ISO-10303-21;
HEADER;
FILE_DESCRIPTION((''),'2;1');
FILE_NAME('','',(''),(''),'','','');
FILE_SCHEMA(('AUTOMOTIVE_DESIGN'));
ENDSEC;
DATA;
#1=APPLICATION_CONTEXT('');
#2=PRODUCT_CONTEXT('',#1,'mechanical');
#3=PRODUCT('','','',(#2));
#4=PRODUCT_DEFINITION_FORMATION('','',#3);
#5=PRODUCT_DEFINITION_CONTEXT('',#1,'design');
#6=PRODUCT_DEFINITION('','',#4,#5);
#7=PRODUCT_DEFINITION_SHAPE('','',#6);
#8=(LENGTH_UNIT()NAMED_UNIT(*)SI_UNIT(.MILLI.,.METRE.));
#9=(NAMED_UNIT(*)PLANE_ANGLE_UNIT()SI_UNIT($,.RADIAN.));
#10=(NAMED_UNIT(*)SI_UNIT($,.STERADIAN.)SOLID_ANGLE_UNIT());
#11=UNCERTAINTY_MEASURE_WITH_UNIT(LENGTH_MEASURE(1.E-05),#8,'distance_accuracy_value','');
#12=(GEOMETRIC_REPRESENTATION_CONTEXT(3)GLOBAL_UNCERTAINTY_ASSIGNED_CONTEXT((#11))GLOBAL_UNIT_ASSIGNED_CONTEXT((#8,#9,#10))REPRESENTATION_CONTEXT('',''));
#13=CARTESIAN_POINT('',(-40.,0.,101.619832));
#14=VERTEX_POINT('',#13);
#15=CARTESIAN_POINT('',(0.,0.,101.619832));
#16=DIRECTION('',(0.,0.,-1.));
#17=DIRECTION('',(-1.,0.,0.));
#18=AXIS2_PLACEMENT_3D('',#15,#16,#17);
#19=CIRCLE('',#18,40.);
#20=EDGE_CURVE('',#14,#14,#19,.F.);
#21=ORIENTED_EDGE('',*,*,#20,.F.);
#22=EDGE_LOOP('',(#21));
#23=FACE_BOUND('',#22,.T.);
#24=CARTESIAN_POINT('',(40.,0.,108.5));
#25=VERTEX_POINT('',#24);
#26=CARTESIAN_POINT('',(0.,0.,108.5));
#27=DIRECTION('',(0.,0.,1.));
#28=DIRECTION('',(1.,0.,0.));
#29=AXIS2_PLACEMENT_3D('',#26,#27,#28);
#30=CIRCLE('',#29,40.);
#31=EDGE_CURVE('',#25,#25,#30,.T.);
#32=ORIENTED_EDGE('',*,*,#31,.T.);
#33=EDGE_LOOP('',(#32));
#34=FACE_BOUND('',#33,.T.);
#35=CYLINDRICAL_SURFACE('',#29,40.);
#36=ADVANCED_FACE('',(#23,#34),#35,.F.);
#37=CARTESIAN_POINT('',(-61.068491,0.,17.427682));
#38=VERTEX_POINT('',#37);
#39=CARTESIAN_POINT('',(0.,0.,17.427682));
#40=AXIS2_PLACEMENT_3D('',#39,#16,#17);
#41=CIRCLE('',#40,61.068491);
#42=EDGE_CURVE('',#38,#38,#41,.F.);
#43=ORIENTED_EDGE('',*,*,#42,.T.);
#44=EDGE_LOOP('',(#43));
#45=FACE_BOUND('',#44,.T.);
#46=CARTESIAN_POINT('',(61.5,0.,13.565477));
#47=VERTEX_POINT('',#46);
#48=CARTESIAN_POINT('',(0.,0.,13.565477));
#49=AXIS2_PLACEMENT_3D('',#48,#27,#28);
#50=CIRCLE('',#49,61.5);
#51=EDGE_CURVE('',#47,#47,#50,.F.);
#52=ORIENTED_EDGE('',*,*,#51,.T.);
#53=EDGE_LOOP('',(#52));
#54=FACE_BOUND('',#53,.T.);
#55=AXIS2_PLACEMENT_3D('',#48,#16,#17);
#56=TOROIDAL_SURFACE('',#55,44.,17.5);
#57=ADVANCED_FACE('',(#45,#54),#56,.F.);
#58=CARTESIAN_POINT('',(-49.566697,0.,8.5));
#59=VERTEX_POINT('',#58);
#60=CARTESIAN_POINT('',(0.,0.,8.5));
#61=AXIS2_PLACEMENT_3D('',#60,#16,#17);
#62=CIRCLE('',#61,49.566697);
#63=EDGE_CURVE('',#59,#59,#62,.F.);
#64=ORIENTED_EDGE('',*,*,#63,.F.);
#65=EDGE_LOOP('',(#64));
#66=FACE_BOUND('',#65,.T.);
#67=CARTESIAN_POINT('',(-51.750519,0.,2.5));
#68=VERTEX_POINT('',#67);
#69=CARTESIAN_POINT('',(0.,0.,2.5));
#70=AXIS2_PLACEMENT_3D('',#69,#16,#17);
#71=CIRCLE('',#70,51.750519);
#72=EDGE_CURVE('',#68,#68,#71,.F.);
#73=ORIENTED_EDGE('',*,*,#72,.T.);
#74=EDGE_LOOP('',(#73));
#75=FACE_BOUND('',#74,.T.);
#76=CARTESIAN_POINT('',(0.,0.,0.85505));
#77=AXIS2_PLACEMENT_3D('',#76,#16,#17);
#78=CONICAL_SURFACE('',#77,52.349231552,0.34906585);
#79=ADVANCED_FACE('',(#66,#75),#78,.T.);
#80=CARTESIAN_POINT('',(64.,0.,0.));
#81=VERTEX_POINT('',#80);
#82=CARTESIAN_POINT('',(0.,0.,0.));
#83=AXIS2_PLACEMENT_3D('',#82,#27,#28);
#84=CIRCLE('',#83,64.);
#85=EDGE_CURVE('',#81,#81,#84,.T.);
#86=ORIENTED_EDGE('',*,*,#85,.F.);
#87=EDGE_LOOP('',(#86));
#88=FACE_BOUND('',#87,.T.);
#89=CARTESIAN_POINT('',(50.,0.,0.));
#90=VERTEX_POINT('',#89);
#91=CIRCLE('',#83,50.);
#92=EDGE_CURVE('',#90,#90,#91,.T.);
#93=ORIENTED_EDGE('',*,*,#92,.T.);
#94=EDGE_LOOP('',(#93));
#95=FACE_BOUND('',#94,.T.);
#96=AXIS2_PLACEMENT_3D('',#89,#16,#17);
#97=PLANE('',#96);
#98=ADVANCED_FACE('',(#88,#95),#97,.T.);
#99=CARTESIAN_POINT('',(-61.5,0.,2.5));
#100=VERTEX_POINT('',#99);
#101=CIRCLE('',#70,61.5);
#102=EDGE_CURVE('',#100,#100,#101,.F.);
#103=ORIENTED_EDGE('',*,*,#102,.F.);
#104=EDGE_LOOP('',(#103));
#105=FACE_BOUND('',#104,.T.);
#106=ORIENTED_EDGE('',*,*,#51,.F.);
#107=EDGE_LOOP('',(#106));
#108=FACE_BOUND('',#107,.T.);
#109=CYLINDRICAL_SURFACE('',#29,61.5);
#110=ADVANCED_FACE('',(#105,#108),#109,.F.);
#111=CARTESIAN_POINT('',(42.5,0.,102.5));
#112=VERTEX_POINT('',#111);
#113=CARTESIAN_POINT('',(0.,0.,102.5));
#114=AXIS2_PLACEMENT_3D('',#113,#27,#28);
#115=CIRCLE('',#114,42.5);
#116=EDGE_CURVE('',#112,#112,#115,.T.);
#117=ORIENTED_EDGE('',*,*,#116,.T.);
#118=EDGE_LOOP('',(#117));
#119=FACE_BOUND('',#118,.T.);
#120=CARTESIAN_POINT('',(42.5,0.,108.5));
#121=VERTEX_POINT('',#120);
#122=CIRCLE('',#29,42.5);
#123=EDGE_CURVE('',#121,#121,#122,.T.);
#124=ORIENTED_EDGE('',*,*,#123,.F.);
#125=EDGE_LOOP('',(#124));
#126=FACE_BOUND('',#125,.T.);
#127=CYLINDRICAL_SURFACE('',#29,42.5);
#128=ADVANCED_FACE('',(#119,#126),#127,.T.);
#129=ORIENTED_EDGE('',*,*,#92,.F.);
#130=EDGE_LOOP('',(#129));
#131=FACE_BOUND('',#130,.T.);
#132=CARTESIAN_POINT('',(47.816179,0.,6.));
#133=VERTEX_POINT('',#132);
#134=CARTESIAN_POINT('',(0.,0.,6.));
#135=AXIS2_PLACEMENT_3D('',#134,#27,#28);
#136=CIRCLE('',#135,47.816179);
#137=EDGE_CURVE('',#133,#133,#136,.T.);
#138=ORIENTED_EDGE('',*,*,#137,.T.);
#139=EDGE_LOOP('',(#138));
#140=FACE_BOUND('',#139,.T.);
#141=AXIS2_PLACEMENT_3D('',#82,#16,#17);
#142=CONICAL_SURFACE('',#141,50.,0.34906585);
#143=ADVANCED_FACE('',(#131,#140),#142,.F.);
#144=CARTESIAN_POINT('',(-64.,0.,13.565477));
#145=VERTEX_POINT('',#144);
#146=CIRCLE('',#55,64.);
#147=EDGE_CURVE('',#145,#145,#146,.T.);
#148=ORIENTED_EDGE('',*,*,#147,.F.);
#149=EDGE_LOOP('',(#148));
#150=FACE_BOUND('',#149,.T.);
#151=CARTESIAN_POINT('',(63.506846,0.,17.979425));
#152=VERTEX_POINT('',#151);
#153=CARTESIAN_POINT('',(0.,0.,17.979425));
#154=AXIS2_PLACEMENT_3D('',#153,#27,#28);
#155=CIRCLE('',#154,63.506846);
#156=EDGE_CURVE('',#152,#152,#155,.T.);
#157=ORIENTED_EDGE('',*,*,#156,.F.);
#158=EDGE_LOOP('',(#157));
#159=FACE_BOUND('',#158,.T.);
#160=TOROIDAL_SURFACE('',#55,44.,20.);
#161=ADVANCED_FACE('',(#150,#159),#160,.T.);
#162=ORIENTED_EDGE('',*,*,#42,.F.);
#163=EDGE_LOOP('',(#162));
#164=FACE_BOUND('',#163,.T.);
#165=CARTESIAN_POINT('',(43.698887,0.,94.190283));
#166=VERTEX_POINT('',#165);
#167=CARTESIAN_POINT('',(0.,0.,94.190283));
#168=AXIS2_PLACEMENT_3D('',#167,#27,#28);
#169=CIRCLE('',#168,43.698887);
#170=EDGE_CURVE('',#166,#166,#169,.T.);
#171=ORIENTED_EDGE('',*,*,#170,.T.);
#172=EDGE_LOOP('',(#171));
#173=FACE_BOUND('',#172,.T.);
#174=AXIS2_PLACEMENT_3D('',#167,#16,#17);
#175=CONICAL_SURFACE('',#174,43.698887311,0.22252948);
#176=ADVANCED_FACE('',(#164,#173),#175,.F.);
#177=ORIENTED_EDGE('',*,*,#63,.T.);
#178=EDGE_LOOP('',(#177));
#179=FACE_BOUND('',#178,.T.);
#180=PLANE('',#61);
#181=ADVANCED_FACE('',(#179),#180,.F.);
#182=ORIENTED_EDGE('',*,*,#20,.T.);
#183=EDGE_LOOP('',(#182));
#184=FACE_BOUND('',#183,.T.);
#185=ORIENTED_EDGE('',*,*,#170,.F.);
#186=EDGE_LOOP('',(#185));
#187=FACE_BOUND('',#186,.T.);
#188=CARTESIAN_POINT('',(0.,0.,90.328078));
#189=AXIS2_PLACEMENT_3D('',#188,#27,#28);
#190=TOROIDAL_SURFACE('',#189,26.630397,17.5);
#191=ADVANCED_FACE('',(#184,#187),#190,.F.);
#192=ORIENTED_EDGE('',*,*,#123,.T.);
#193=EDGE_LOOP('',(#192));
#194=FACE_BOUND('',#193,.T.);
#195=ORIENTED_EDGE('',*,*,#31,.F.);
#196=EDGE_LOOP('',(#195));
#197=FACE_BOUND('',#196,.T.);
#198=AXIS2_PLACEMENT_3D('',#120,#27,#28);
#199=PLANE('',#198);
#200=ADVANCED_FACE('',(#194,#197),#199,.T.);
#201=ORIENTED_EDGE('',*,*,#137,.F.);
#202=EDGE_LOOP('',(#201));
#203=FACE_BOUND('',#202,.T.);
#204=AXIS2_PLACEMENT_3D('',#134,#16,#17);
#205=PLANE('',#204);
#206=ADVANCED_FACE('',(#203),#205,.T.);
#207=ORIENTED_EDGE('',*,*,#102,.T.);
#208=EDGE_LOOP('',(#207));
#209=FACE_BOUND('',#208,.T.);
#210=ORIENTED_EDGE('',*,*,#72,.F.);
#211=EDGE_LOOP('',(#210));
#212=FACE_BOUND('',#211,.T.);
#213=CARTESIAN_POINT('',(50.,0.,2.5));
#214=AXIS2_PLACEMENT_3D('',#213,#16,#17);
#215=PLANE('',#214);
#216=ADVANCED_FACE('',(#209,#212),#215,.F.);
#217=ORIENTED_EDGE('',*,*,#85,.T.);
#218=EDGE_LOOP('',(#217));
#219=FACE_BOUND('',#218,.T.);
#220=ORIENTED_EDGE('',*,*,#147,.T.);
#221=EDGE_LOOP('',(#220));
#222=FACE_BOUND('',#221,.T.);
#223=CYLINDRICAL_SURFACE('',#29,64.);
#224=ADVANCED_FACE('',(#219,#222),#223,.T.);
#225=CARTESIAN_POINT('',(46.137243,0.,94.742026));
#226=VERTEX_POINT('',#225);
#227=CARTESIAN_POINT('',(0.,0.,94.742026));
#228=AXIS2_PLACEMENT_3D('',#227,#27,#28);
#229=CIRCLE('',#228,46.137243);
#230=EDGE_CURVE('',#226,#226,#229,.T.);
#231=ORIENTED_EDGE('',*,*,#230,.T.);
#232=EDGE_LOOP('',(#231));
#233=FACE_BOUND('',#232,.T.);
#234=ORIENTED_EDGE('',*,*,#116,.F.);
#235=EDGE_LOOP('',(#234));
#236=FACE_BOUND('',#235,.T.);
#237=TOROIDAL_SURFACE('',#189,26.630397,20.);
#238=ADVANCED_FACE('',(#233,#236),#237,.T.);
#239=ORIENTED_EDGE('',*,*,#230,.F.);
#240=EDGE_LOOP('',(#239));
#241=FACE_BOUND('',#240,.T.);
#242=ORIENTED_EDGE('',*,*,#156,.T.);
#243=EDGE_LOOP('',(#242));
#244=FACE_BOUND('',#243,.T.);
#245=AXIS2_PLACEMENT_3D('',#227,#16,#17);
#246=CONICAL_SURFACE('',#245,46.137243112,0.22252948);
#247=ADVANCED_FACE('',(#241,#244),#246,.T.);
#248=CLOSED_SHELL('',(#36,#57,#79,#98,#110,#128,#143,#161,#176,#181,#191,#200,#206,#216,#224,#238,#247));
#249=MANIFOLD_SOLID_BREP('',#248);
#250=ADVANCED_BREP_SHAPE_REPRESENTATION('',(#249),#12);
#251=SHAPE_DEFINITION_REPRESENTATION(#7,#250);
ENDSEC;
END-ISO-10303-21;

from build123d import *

# Parameters (mm, degrees)
FILLET1_R = 20
SHELL1_T  = -2.5


with BuildPart() as part:
    # Sketch2 → Revolve1 (revolve)
    with BuildSketch(Plane(origin=(0, 0, 0), x_dir=(1, 0, 0), z_dir=(0, 1, 0))):
        with BuildLine():
            Line((0, -108.5), (0, -6))
            Line((0, -6), (47.816178594, -6))
            Line((47.816178594, -6), (50, 0))
            Line((50, 0), (64, 0))
            Line((64, 0), (64, -15.8))
            Line((64, -15.8), (46.137243112, -94.742026455))
            ThreePointArc((46.137243112, -94.742026455), (44.738953709, -98.818081472), (42.5, -102.5))
            Line((42.5, -102.5), (42.5, -108.5))
            Line((42.5, -108.5), (0, -108.5))
        make_face()
    revolve(axis=Axis((0, 0, 108.5), (0, 0, -1)))

    # Fillet1
    fillet1_edges = [part.edges().sort_by_distance(p)[0] for p in [
        (-64, 0, 15.8),
    ]]
    fillet(fillet1_edges, radius=FILLET1_R)

    # Shell1
    shell1_openings = [part.faces().sort_by_distance(p)[0] for p in [
        (0, 0, 108.5),
    ]]
    offset(amount=SHELL1_T, openings=shell1_openings, kind=Kind.INTERSECTION)


solid = part.part
